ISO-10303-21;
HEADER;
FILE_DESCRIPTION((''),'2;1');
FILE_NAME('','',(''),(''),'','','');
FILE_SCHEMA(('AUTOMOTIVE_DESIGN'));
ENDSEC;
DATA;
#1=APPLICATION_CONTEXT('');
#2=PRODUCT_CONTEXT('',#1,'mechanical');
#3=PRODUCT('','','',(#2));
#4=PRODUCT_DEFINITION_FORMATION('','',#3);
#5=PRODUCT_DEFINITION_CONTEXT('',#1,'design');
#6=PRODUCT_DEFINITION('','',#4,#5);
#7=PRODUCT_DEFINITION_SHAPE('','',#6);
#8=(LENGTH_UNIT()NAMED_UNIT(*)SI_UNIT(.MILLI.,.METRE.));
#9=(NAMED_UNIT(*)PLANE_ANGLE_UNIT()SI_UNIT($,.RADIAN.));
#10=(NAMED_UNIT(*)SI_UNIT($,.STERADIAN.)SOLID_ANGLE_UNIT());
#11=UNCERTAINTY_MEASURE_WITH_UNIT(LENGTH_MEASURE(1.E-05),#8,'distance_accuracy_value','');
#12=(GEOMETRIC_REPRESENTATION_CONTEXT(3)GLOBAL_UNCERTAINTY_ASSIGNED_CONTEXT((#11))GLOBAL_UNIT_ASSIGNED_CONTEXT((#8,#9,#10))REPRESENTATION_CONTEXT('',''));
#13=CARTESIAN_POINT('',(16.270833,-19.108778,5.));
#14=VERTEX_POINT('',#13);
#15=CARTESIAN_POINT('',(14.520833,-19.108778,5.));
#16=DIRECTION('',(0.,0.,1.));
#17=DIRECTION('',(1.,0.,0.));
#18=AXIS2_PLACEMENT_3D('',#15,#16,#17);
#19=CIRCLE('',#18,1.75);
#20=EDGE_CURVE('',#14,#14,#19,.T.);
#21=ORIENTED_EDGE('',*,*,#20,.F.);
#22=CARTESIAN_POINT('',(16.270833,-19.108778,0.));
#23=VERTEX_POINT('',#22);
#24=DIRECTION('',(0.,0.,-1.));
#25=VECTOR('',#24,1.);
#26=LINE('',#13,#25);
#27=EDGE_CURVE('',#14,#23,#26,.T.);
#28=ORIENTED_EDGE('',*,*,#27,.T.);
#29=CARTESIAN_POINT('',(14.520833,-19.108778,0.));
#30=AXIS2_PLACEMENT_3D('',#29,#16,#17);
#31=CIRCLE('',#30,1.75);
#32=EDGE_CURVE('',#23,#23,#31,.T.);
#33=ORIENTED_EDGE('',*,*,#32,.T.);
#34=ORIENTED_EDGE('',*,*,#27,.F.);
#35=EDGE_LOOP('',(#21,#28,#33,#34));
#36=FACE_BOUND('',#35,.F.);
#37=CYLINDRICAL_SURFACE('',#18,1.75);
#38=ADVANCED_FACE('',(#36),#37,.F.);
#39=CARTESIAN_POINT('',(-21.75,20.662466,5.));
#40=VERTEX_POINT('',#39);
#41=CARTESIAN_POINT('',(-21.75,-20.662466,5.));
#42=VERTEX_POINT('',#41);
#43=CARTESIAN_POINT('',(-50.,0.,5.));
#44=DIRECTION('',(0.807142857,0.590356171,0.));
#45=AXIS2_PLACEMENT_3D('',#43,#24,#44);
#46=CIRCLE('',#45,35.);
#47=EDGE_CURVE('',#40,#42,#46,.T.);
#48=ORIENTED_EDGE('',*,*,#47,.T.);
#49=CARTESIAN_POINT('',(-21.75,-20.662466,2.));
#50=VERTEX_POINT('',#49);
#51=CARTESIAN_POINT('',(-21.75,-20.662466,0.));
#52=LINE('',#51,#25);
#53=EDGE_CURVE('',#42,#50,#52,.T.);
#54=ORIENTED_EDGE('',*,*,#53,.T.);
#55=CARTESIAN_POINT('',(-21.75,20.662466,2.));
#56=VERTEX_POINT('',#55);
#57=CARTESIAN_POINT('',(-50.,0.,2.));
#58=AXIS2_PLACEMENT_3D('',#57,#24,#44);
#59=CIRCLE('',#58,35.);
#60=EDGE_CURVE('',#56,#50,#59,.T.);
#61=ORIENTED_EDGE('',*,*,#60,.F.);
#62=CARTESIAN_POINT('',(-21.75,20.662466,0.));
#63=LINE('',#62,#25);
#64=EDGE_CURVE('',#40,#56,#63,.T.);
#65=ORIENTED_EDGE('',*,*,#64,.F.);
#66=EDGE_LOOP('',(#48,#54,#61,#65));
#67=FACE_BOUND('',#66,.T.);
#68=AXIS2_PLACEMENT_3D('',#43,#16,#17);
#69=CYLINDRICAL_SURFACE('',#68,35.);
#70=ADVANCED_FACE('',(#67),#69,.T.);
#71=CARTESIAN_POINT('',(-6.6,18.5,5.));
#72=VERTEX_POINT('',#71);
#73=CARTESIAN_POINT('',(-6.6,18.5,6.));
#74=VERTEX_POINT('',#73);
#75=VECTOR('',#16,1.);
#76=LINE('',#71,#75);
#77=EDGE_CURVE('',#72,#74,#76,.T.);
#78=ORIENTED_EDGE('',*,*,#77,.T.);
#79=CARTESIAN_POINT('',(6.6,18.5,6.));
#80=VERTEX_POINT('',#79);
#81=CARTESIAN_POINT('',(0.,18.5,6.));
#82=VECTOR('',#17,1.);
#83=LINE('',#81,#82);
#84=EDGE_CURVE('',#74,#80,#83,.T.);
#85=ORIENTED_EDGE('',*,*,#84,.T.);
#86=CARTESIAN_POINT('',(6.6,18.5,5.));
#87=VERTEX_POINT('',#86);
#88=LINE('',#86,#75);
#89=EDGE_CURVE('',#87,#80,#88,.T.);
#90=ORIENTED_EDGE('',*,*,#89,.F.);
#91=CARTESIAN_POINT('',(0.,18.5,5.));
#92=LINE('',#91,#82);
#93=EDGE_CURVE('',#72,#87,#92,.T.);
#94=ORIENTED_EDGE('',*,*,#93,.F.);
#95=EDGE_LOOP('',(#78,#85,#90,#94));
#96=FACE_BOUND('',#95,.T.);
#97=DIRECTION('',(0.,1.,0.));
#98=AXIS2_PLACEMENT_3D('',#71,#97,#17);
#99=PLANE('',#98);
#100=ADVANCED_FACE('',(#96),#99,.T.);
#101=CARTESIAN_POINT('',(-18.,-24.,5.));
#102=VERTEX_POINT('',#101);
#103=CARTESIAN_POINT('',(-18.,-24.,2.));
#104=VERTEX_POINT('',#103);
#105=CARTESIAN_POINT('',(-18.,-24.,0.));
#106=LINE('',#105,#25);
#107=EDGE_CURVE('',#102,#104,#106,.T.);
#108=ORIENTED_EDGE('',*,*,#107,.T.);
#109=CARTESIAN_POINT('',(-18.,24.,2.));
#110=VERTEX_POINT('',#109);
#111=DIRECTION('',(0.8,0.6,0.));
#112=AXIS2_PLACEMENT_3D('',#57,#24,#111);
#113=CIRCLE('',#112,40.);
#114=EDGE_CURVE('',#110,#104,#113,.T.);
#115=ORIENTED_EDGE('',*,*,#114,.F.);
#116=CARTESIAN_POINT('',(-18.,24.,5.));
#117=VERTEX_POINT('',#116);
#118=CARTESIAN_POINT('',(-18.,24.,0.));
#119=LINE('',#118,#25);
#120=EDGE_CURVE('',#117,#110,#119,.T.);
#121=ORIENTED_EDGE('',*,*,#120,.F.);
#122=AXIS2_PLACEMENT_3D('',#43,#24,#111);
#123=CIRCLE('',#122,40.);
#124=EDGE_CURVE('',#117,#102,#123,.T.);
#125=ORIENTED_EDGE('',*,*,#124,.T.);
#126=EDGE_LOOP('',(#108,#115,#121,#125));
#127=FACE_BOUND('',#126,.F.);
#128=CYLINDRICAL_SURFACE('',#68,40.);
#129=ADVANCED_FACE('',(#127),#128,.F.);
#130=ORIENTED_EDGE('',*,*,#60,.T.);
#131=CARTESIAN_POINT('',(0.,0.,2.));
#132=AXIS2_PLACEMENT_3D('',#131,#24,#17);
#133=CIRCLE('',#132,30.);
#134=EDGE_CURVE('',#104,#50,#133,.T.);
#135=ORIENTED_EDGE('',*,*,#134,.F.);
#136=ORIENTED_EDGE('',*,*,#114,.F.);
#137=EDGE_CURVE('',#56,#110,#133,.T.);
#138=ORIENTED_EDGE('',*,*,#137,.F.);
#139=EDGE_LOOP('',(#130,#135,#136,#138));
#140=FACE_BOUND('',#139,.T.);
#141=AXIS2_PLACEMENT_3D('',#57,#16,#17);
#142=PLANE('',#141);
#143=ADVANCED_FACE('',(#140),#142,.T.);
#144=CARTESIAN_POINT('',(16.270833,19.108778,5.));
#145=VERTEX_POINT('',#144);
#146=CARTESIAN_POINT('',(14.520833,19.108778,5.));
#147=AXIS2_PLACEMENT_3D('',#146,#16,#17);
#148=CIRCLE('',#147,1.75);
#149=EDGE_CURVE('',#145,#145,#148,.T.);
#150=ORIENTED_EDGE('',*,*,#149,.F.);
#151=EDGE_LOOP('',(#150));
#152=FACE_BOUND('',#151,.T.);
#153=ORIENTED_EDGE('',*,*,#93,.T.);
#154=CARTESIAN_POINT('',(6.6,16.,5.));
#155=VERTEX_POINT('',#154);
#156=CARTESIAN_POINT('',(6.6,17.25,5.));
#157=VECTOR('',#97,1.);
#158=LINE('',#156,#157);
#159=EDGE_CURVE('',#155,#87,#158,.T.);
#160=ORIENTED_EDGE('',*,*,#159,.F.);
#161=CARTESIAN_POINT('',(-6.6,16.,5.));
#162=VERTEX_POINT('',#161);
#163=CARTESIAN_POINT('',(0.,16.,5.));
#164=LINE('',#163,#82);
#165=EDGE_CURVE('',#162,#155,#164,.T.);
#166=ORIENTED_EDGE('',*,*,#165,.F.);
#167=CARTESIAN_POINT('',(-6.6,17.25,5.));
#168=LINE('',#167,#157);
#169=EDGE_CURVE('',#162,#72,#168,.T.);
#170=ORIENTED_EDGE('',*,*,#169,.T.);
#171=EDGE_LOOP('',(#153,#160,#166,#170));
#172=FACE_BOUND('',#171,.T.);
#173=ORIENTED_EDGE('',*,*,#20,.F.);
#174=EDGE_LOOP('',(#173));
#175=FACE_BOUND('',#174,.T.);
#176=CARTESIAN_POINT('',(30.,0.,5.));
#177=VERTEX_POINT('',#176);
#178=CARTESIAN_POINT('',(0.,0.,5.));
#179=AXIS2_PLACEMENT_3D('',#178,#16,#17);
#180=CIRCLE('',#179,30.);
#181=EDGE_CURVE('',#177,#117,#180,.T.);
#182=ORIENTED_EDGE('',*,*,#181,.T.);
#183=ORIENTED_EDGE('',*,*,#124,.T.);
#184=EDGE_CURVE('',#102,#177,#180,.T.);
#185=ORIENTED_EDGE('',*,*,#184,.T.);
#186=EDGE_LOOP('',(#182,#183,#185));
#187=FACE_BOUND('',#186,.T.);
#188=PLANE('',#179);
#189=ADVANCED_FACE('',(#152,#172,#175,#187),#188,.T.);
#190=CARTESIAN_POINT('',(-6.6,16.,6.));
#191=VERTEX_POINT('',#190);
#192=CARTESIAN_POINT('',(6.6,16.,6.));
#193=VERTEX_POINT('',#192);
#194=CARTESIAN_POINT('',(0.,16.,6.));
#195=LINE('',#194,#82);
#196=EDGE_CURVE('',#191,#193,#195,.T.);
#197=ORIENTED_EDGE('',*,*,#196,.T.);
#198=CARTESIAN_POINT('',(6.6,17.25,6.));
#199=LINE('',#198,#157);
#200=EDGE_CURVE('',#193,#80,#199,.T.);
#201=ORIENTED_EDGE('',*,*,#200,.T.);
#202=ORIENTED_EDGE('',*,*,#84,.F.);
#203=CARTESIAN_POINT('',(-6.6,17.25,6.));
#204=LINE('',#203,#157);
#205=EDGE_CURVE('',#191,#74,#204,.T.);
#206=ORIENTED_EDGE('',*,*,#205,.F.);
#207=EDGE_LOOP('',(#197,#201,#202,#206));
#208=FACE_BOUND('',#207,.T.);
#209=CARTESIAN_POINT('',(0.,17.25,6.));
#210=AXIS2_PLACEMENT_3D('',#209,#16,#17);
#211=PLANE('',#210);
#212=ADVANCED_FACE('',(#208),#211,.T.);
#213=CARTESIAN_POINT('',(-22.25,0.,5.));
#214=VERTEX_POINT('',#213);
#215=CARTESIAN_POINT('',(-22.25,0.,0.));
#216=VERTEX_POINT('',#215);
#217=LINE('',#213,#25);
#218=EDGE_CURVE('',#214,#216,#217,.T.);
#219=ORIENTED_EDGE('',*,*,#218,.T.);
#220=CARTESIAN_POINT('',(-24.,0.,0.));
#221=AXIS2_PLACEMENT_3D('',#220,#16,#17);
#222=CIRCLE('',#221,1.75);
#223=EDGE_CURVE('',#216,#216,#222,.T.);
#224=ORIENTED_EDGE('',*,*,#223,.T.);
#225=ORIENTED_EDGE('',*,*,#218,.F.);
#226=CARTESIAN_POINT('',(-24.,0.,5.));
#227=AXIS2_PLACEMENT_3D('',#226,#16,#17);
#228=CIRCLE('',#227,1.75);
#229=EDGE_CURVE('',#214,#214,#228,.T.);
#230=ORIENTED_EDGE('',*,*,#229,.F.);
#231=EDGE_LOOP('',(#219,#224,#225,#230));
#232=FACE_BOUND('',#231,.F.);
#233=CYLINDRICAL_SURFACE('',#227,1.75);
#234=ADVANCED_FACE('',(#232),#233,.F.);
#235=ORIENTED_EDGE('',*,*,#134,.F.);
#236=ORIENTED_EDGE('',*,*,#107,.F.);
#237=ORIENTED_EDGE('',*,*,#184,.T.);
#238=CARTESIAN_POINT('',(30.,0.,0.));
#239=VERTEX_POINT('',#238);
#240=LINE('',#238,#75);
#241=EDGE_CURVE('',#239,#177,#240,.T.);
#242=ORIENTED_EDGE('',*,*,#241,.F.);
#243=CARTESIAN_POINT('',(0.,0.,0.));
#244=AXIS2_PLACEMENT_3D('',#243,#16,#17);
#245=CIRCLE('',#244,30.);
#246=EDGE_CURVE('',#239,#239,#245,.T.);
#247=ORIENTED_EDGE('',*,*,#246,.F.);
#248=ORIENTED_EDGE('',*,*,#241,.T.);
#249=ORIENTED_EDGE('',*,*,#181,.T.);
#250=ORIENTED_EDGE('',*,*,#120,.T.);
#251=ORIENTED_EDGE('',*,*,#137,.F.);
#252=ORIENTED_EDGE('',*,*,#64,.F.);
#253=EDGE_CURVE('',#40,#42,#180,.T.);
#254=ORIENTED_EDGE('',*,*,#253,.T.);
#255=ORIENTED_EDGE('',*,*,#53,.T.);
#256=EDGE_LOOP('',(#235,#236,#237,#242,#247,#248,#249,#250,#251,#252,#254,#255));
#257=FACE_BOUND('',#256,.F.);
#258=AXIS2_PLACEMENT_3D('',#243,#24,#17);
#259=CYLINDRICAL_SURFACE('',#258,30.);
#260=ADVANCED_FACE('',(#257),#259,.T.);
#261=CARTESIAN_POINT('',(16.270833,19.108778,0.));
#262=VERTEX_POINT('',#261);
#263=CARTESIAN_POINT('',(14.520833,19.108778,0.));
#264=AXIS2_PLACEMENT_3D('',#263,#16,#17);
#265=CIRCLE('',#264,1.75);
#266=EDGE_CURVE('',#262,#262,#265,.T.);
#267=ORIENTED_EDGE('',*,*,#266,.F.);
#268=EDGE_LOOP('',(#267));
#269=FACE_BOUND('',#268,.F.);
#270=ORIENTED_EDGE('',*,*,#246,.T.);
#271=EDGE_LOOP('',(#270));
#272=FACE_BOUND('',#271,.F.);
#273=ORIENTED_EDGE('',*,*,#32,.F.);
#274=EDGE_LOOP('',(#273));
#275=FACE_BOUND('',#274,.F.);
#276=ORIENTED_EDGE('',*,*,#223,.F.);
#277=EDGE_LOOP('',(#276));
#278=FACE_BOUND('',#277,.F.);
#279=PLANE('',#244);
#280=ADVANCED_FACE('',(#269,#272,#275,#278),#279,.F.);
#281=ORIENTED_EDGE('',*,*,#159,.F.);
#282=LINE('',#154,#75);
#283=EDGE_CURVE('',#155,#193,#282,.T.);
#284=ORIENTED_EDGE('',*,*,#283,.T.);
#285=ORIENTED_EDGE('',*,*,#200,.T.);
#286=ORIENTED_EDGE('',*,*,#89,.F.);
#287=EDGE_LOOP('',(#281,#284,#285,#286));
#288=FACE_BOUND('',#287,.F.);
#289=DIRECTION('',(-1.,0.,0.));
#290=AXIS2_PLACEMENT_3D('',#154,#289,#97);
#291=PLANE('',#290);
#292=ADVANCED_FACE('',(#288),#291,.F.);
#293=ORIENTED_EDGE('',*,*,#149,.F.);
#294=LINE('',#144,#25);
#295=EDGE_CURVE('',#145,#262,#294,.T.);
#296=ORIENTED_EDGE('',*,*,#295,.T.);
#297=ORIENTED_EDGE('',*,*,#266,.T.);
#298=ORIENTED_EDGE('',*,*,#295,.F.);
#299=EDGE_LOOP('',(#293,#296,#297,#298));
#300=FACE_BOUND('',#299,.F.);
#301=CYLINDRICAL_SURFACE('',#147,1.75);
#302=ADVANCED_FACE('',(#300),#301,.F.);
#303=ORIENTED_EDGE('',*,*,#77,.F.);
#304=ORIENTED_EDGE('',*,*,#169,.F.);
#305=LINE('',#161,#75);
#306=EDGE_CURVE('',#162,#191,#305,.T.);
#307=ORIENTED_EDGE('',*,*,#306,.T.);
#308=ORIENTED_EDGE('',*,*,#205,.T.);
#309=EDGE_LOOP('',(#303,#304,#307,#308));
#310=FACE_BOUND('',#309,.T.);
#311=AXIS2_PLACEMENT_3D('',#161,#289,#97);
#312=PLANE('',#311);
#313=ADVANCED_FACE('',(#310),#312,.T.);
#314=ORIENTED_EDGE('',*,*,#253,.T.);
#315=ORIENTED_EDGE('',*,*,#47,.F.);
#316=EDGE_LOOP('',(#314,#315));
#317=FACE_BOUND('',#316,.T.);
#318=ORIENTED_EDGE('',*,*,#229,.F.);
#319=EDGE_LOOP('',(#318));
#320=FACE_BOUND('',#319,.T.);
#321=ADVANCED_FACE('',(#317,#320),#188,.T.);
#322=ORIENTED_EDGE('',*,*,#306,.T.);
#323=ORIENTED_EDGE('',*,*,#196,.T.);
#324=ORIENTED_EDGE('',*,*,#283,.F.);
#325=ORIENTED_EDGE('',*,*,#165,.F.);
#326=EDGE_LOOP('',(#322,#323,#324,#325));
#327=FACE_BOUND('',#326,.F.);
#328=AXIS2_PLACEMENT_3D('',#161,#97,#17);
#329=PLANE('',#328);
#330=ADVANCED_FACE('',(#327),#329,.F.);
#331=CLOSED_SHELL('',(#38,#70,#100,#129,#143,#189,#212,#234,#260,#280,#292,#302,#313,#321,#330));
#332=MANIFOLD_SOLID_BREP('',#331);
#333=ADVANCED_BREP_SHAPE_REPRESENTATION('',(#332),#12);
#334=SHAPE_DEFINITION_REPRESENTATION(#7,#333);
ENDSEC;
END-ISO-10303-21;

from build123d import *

# Parameters (mm, degrees)
SKETCH008_R     = 30
PAD004_DEPTH    = 5
SKETCH009_R     = 40
SKETCH009_R_2   = 35
POCKET002_DEPTH = 3
SKETCH015_R     = 1.75
POCKET008_DEPTH = 5
SKETCH038_W     = 13.2
SKETCH038_H     = 2.5
PAD009_DEPTH    = 1


with BuildPart() as part:
    # Sketch008 → Pad004 (new body)
    with BuildSketch(Plane.XY):
        Circle(SKETCH008_R)
    extrude(amount=PAD004_DEPTH)

    # Sketch009 (on Face3 of Pad004) → Pocket002 (cut)
    with BuildSketch(Plane.XY.offset(5)):
        with Locations((-50, 0)):
            Circle(SKETCH009_R)
        with Locations((-50, 0)):
            Circle(SKETCH009_R_2, mode=Mode.SUBTRACT)
    extrude(amount=-POCKET002_DEPTH, mode=Mode.SUBTRACT)

    # Sketch015 (on Face3 of Pocket002) → Pocket008 (cut)
    with BuildSketch(Plane.XY.offset(5)):
        with Locations((-24, 0)):
            Circle(SKETCH015_R)
        with Locations((14.520833, 19.108778)):
            Circle(SKETCH015_R)
        with Locations((14.520833, -19.108778)):
            Circle(SKETCH015_R)
    extrude(amount=-POCKET008_DEPTH, mode=Mode.SUBTRACT)

    # Sketch038 (on Face3 of Pocket008) → Pad009 (join)
    with BuildSketch(Plane.XY.offset(5)):
        with Locations((0, 17.25)):
            Rectangle(SKETCH038_W, SKETCH038_H)
    extrude(amount=PAD009_DEPTH)


solid = part.part
